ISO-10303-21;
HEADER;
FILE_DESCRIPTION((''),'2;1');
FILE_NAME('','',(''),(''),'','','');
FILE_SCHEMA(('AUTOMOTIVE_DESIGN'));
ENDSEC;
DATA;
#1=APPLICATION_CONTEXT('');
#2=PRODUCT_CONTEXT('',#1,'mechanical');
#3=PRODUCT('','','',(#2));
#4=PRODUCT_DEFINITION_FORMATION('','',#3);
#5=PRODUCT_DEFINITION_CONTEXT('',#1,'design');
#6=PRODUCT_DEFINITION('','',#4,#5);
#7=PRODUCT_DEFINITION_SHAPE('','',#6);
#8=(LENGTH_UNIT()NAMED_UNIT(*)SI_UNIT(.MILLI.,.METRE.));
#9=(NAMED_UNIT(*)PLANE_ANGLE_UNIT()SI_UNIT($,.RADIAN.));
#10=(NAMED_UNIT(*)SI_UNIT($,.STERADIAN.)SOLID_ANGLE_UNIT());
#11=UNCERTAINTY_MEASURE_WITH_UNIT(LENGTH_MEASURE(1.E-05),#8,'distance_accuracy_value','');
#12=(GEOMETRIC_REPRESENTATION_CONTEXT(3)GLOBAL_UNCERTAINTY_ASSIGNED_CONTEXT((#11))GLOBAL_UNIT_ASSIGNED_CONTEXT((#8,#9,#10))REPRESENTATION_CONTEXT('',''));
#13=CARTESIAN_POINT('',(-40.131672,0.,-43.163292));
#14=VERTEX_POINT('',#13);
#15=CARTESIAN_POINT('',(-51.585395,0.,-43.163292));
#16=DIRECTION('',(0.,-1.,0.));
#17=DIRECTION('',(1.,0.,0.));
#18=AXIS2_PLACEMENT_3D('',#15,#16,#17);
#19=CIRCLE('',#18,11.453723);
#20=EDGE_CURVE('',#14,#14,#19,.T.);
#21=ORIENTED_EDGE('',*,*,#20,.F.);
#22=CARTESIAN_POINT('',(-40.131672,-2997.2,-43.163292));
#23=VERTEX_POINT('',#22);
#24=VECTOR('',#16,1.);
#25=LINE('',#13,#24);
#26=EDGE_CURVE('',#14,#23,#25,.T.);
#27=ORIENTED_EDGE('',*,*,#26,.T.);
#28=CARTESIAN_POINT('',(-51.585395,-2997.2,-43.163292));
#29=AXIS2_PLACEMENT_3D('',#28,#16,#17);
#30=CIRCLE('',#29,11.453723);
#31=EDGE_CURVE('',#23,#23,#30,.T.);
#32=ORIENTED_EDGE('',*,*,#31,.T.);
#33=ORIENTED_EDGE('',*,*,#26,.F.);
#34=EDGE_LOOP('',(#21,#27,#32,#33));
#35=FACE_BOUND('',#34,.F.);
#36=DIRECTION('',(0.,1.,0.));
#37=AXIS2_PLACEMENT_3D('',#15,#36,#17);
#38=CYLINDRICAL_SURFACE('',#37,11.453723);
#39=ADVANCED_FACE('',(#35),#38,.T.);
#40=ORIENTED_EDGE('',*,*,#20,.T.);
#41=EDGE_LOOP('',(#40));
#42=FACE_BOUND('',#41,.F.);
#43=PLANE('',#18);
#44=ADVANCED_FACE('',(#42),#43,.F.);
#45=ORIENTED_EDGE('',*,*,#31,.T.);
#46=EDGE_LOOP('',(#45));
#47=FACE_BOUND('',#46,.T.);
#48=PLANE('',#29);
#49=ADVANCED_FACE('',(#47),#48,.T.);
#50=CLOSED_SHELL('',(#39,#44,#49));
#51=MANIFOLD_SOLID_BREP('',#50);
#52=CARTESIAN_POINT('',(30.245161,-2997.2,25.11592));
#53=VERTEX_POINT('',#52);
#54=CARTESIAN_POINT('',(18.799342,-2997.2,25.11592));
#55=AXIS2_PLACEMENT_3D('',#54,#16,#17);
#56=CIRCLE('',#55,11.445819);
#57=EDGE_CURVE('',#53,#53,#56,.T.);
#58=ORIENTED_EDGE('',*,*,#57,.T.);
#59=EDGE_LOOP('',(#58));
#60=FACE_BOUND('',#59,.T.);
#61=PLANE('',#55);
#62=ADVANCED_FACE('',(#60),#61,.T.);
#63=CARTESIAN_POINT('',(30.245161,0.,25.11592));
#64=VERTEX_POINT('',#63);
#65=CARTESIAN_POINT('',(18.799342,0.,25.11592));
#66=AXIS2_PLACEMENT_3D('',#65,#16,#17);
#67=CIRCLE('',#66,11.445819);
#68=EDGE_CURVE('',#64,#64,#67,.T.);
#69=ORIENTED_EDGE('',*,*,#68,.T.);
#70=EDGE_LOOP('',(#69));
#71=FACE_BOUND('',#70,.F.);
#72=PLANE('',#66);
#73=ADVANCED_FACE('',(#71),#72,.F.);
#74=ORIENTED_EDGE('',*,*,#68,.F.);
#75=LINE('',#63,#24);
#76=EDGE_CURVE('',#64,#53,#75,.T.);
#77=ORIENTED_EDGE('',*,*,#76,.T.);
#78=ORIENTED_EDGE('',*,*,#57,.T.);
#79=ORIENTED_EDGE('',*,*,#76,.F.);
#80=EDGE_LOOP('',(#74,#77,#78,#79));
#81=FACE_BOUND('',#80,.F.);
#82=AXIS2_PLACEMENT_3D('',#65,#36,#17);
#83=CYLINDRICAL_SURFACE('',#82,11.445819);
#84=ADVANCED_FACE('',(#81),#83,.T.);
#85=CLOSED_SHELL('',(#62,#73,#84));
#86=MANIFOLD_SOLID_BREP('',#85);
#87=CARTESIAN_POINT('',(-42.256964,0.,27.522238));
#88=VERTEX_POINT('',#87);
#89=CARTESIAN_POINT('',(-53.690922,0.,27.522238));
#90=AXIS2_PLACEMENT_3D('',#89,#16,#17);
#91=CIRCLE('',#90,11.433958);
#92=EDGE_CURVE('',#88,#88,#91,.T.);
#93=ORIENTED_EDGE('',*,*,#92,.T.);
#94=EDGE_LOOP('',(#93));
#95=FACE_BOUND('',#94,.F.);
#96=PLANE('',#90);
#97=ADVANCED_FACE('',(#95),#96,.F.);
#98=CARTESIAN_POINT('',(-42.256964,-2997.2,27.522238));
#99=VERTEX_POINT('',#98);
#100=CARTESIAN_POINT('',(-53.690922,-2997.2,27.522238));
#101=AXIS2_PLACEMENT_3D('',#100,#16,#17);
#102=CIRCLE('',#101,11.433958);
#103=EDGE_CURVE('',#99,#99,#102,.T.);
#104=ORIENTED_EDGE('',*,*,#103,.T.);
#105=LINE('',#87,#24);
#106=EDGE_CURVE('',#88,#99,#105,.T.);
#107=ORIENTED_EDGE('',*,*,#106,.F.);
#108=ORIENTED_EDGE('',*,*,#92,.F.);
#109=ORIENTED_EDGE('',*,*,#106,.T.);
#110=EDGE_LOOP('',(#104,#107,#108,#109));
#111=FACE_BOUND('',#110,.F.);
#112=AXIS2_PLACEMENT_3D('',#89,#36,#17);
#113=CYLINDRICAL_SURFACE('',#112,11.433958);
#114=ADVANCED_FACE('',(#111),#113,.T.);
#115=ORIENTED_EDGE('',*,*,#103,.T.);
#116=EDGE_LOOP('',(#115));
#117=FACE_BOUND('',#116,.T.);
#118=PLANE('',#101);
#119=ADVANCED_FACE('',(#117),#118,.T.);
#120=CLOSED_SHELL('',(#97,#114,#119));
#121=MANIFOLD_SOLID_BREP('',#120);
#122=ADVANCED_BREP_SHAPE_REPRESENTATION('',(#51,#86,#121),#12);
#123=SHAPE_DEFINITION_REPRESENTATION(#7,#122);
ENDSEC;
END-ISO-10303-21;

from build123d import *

# Parameters (mm, degrees)
F0_R     = 11.433958
F1_DEPTH = 2997.2
F2_R     = 11.445819
F3_DEPTH = 2997.2
F4_R     = 11.453723
F5_DEPTH = 2997.2


with BuildPart() as f1:
    # F0 (on Front) → F1 (new body)
    with BuildSketch(Plane.XZ):
        with Locations((-53.690922, 27.522238)):
            Circle(F0_R)
    extrude(amount=F1_DEPTH)


with BuildPart() as f3:
    # F2 (on Front) → F3 (new body)
    with BuildSketch(Plane.XZ):
        with Locations((18.799342, 25.11592)):
            Circle(F2_R)
    extrude(amount=F3_DEPTH)


with BuildPart() as f5:
    # F4 (on Front) → F5 (new body)
    with BuildSketch(Plane.XZ):
        with Locations((-51.585395, -43.163292)):
            Circle(F4_R)
    extrude(amount=F5_DEPTH)


solid = Compound([f1.part, f3.part, f5.part])
